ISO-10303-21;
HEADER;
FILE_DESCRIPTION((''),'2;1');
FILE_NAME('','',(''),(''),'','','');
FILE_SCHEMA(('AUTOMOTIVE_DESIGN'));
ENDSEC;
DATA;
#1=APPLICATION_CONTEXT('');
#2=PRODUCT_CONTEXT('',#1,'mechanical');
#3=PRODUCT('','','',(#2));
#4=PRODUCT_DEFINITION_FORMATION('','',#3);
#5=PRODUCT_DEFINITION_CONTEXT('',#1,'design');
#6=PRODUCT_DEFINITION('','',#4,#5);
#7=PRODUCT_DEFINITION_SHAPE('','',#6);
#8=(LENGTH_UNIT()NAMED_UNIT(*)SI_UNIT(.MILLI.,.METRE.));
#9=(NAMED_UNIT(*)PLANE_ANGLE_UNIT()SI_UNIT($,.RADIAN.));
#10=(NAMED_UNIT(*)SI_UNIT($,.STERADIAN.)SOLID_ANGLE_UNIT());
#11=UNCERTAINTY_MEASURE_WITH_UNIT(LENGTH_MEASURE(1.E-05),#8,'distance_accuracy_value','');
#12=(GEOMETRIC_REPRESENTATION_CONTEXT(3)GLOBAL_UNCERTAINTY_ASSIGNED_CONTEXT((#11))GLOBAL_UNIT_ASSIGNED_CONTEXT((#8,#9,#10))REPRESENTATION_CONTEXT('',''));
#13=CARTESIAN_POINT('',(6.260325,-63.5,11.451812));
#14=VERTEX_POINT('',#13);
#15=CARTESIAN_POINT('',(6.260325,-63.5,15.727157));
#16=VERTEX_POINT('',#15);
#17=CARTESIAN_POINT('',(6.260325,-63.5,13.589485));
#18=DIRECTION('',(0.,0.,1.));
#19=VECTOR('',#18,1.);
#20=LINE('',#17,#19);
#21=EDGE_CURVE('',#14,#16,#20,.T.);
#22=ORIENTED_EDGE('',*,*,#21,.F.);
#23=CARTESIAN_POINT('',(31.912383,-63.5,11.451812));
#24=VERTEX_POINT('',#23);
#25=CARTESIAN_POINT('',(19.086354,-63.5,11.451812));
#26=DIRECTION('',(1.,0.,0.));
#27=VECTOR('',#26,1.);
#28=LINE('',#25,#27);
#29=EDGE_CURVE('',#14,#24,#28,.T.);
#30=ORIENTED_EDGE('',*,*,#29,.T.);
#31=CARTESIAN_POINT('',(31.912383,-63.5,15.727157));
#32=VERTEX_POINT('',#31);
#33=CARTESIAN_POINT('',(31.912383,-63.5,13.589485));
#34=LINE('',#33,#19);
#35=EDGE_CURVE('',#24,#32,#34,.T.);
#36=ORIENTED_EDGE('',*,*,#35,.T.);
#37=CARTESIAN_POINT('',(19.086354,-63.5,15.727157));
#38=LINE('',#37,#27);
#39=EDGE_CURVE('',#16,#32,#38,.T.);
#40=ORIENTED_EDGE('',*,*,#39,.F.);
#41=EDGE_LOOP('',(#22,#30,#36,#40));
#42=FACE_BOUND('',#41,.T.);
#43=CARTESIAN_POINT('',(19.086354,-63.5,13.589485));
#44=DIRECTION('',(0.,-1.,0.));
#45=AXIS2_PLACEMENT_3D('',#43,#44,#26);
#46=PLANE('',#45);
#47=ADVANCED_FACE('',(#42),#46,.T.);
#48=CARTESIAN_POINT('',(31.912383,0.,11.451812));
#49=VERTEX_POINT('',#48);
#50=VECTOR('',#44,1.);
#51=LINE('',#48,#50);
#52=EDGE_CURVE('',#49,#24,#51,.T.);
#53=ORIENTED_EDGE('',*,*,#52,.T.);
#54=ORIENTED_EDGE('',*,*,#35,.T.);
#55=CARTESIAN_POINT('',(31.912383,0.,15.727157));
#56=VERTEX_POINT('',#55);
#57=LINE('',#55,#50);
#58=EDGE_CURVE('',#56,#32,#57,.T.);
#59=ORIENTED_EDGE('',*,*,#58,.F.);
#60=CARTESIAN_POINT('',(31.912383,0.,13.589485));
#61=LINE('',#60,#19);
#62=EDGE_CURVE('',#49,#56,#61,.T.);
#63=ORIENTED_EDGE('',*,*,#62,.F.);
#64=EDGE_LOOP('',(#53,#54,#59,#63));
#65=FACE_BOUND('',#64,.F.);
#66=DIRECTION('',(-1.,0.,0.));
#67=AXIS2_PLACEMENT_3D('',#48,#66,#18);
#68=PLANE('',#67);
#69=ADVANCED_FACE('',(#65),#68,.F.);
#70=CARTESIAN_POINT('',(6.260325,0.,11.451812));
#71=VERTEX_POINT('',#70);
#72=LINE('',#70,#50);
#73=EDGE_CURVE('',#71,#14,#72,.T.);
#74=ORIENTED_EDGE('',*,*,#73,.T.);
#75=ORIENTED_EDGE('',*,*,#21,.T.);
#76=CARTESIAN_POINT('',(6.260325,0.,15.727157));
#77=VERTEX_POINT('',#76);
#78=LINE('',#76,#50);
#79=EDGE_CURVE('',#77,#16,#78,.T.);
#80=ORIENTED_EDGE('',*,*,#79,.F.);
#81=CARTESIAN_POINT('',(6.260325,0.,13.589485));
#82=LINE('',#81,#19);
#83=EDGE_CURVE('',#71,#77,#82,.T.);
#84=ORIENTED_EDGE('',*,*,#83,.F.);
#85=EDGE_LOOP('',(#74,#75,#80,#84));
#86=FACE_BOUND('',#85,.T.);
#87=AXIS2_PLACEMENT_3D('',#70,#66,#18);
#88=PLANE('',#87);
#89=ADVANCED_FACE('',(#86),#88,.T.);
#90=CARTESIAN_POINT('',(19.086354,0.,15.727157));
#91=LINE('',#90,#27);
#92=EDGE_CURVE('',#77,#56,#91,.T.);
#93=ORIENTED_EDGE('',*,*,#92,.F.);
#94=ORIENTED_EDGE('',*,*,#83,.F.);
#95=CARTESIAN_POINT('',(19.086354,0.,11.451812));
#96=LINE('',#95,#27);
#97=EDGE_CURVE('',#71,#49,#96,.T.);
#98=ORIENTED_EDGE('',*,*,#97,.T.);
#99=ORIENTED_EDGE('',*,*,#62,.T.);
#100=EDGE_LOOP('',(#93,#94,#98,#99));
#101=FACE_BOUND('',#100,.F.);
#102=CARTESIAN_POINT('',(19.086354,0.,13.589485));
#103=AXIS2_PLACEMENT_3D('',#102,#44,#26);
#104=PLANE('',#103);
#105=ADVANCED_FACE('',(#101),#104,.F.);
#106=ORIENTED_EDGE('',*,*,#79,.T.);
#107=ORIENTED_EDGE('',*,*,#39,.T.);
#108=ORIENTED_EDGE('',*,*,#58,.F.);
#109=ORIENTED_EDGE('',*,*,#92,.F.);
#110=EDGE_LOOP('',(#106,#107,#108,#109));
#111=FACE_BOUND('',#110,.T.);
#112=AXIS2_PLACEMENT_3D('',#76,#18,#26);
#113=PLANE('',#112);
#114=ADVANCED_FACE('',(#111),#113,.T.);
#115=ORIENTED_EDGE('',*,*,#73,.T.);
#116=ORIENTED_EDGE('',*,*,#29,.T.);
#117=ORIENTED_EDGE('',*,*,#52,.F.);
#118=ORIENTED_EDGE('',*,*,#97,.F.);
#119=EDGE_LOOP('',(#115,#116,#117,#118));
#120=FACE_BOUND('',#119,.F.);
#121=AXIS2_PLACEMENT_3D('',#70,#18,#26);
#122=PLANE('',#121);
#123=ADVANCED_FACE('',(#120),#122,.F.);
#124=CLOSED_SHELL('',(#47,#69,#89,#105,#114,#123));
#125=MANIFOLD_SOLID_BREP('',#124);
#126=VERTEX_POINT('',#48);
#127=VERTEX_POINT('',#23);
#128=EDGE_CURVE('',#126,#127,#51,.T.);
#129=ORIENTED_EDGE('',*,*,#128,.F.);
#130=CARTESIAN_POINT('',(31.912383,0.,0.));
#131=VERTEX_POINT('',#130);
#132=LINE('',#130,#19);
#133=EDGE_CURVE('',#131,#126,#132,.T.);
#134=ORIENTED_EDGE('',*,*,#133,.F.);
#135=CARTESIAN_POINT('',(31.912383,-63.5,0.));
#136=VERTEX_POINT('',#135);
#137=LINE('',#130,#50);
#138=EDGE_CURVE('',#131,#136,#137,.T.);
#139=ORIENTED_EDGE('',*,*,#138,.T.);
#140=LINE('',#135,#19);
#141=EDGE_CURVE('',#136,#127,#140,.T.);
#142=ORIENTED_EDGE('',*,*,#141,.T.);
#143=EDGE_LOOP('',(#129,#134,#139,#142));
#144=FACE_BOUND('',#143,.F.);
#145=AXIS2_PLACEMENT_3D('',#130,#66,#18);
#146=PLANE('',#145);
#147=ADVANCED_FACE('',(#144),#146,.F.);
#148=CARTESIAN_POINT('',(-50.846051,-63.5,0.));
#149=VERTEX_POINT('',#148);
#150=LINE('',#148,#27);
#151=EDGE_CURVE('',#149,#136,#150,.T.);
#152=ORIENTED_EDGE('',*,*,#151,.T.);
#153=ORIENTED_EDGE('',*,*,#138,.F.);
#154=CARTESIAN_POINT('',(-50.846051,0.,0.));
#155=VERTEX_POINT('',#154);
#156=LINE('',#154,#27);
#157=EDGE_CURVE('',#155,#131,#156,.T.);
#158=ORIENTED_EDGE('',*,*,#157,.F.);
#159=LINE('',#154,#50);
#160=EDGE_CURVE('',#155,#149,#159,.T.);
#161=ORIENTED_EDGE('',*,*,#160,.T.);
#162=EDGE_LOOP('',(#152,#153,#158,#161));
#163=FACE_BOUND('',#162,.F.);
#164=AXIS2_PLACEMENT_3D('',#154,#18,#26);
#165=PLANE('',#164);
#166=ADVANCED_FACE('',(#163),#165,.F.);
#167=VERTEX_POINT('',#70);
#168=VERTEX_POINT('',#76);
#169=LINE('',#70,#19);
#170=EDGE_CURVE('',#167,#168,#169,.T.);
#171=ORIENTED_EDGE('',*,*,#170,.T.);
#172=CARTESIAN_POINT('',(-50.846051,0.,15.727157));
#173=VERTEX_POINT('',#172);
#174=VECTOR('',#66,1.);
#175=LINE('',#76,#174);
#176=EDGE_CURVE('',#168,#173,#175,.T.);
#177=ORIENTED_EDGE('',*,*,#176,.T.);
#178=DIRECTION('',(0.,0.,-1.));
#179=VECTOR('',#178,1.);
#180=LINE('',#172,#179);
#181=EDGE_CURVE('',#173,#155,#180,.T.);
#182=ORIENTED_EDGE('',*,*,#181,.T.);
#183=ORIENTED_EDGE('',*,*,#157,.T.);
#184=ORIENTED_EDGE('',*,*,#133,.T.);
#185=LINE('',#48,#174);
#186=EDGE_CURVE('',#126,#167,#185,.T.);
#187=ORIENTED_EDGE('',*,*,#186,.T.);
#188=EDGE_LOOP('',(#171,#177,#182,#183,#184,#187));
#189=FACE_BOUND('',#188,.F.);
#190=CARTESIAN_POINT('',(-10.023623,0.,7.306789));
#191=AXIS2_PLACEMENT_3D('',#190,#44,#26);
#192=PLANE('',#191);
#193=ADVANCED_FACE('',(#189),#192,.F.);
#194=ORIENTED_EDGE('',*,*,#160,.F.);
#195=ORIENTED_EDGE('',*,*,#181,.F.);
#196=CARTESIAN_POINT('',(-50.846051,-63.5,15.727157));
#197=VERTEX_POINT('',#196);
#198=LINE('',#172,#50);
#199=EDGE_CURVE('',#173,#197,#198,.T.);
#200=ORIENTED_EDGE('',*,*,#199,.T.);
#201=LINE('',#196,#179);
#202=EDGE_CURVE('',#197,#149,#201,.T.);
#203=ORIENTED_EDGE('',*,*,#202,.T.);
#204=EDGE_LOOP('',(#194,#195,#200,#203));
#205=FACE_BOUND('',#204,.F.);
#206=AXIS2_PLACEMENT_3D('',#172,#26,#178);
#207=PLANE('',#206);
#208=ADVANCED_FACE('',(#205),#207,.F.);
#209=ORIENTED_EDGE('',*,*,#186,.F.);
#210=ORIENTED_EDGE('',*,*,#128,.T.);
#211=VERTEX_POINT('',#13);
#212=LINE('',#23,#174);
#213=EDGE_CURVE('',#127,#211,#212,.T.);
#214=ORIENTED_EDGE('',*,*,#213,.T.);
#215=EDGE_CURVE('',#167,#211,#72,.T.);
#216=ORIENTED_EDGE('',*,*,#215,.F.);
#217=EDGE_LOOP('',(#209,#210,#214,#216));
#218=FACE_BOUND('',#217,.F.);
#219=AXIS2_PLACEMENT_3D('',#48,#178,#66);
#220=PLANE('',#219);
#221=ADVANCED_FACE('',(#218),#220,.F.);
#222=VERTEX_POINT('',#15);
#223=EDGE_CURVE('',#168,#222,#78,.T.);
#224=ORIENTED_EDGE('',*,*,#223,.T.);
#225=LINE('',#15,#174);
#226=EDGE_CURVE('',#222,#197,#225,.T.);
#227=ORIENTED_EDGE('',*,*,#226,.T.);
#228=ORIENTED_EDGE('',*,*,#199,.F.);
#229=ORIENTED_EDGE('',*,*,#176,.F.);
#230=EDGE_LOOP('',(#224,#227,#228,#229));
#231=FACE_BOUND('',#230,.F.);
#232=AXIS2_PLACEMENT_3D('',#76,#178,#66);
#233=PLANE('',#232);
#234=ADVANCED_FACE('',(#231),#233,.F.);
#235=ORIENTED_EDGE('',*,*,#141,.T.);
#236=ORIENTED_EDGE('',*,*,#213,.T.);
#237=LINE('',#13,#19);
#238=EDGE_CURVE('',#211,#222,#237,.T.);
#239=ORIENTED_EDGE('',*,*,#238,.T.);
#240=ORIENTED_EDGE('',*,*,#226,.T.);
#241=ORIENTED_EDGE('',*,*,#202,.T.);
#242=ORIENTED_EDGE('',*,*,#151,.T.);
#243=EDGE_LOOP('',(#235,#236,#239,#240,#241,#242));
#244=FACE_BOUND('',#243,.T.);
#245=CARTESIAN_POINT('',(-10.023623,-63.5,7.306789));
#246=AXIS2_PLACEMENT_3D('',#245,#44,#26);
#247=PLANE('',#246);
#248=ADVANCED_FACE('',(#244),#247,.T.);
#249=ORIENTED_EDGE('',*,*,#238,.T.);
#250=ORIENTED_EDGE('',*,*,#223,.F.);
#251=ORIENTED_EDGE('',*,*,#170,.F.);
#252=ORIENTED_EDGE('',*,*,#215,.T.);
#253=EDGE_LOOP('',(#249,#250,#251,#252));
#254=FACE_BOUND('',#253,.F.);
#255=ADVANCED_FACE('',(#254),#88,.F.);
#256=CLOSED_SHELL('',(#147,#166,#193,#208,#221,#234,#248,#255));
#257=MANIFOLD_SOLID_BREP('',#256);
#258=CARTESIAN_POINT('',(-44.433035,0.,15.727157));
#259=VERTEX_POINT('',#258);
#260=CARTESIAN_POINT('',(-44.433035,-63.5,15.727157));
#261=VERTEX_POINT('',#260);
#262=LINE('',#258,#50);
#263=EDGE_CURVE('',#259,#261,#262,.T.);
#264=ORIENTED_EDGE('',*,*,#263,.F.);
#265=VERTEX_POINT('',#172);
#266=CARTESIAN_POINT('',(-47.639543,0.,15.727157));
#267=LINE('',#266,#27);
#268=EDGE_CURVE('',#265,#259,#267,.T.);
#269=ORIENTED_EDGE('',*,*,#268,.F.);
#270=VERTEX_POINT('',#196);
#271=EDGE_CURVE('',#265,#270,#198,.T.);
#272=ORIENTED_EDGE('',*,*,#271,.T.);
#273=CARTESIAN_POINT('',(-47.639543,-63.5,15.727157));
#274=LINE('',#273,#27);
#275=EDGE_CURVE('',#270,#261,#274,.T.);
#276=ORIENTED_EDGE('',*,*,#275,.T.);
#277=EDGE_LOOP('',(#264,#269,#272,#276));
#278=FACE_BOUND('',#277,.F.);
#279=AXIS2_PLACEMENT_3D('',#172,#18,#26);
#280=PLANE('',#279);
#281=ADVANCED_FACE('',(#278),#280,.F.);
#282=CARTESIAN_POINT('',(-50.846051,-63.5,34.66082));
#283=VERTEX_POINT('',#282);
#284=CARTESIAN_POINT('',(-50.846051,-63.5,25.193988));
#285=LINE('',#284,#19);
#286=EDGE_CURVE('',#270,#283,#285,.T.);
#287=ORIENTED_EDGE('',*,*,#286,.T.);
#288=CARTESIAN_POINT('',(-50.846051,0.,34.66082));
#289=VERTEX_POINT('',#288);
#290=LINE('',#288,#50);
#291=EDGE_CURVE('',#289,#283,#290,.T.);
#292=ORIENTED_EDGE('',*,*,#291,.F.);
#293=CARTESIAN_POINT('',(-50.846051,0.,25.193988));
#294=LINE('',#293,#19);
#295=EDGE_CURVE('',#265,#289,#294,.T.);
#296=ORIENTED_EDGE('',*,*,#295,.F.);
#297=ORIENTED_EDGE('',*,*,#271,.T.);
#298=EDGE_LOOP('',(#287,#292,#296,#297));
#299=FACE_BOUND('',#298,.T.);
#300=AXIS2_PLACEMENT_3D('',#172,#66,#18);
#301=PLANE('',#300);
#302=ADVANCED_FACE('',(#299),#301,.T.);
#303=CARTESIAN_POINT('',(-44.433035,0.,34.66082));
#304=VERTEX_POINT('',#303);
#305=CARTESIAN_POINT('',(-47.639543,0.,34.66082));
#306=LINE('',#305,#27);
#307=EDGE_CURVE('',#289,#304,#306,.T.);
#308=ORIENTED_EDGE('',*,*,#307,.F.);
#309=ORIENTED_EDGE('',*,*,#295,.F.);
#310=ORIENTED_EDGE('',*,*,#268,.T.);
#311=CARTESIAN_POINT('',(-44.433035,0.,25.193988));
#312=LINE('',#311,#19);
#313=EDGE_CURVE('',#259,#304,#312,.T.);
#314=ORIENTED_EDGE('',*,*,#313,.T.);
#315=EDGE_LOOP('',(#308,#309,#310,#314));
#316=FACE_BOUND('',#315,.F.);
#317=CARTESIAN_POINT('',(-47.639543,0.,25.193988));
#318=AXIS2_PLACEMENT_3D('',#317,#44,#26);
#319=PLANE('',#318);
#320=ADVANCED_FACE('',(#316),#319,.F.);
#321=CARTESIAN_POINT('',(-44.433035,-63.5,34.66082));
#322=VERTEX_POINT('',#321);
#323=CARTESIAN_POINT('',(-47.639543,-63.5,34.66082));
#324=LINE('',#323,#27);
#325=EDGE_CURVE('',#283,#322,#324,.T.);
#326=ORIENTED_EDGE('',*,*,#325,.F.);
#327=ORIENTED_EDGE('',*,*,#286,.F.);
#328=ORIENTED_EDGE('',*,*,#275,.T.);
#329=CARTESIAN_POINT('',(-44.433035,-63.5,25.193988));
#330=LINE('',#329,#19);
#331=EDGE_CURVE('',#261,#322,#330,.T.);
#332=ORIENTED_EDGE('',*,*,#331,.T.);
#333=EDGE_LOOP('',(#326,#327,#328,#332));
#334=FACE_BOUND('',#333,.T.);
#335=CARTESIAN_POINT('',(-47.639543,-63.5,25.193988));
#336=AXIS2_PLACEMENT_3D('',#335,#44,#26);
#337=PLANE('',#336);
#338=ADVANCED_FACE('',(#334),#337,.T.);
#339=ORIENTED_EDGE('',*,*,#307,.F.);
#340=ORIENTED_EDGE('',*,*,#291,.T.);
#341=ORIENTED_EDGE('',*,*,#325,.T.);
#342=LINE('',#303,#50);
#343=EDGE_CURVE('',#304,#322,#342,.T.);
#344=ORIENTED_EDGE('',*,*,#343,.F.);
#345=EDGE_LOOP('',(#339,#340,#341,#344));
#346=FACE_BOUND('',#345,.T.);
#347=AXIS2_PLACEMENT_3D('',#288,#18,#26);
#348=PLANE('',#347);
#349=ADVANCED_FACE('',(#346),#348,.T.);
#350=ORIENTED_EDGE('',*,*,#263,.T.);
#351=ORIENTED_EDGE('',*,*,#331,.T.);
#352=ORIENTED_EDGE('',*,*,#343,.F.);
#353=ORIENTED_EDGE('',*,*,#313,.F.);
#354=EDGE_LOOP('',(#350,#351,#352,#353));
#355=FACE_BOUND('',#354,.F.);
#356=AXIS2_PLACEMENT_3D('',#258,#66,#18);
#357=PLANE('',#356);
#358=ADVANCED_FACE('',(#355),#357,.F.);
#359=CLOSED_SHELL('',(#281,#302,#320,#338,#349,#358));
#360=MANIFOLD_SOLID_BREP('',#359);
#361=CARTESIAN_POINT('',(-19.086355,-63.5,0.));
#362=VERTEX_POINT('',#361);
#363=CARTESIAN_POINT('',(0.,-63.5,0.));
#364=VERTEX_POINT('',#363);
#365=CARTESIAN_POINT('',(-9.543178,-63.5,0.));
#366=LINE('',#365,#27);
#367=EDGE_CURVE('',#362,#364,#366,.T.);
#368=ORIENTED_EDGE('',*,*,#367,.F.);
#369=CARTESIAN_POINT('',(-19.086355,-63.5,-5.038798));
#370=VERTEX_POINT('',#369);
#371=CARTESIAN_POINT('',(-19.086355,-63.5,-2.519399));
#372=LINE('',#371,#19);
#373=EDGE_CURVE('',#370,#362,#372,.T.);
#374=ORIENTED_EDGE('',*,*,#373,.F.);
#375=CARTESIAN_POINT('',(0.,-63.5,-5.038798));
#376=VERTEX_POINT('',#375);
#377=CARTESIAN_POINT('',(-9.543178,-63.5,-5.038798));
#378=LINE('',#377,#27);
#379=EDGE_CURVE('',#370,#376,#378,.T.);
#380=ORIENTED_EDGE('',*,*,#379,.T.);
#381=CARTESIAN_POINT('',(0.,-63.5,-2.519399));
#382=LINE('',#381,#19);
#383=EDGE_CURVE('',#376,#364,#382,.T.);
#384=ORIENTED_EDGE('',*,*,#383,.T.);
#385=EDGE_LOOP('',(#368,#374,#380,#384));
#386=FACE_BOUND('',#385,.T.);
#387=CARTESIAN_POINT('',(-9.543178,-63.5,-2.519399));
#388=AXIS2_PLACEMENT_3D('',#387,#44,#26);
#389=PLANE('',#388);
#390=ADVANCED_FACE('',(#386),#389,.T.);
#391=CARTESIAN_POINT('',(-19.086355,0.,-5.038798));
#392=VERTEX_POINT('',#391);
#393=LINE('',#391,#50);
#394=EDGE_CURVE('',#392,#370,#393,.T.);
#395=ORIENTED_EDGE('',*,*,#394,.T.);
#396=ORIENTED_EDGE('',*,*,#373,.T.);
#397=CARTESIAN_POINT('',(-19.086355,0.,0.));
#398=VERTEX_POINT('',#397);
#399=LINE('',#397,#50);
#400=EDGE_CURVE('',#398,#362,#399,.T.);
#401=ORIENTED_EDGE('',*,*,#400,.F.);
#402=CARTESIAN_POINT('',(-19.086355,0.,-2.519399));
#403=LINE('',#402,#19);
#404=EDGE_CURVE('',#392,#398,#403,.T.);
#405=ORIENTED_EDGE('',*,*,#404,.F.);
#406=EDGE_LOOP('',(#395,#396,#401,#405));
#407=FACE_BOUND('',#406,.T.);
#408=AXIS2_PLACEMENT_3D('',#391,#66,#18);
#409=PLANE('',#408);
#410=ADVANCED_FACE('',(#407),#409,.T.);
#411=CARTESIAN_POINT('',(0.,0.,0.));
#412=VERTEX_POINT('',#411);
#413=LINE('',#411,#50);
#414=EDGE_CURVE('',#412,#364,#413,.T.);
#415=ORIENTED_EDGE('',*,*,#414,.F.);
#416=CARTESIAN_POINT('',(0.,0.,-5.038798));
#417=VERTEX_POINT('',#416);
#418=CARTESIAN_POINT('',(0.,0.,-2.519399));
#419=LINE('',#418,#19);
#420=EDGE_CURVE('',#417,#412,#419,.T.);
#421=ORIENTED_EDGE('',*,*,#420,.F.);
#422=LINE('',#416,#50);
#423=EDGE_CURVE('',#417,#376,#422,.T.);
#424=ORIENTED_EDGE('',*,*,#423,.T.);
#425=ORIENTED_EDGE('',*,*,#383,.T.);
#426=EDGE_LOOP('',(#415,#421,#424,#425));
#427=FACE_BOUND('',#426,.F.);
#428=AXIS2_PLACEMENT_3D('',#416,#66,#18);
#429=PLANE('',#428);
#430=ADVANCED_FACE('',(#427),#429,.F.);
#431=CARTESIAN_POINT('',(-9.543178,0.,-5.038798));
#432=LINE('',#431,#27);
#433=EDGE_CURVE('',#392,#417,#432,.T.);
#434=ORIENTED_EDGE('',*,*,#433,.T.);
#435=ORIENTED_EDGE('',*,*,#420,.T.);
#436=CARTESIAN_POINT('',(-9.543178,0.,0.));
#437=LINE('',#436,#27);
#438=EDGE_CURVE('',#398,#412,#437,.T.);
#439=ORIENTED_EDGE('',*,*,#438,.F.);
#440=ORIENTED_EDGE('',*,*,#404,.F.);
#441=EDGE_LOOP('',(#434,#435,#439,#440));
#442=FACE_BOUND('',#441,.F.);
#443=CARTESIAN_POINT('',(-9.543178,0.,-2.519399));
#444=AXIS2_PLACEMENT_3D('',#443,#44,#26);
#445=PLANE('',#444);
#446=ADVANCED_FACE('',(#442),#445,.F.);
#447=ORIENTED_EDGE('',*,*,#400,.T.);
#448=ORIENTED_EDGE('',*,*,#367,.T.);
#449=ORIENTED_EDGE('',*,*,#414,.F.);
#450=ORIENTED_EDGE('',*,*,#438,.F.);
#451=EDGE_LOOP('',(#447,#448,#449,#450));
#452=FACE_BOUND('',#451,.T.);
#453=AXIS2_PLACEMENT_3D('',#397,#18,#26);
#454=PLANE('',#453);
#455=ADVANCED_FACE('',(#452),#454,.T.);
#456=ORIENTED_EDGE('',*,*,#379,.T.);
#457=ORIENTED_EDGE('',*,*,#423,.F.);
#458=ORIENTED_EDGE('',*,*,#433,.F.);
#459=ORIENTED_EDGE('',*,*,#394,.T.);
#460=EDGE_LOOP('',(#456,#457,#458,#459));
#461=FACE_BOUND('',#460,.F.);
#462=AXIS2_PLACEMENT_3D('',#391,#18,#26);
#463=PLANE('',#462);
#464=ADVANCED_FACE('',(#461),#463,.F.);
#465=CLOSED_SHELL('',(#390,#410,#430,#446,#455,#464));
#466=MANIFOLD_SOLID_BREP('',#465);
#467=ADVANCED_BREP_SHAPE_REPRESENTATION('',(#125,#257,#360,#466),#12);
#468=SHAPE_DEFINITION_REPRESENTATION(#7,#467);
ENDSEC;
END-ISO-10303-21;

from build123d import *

# Parameters (mm, degrees)
F0_W     = 19.0863553435
F0_H     = 5.0387978554
F1_DEPTH = 63.5
F0_W_2   = 6.4130164683
F0_H_2   = 18.9336631447
F2_DEPTH = 63.5
F3_DEPTH = 63.5
F0_W_3   = 25.6520579569
F0_H_3   = 4.2753443122
F4_DEPTH = 63.5


with BuildPart() as f1:
    # F0 (on Front) → F1 (new body)
    with BuildSketch(Plane.XZ):
        with Locations((-9.5431776717, -2.5193989277)):
            Rectangle(F0_W, F0_H)
    extrude(amount=F1_DEPTH)


with BuildPart() as f2:
    # F0 (on Front) → F2 (new body)
    with BuildSketch(Plane.XZ):
        with Locations((-47.6395431906, 25.1939883456)):
            Rectangle(F0_W_2, F0_H_2)
    extrude(amount=F2_DEPTH)


with BuildPart() as f3:
    # F0 (on Front) → F3 (new body)
    with BuildSketch(Plane.XZ):
        Polygon((-19.0863553435, 0), (0, 0), (31.9123826921, 0), (31.9123826921, 11.451812461), (6.2603247352, 11.451812461), (6.2603247352, 15.7271567732), (0, 15.7271567732), (-44.4330349565, 15.7271567732), (-50.8460514247, 15.7271567732), (-50.8460514247, 0), align=None)
    extrude(amount=F3_DEPTH)


with BuildPart() as f4:
    # F0 (on Front) → F4 (new body)
    with BuildSketch(Plane.XZ):
        with Locations((19.0863537136, 13.5894846171)):
            Rectangle(F0_W_3, F0_H_3)
    extrude(amount=F4_DEPTH)


solid = Compound([f1.part, f2.part, f3.part, f4.part])
